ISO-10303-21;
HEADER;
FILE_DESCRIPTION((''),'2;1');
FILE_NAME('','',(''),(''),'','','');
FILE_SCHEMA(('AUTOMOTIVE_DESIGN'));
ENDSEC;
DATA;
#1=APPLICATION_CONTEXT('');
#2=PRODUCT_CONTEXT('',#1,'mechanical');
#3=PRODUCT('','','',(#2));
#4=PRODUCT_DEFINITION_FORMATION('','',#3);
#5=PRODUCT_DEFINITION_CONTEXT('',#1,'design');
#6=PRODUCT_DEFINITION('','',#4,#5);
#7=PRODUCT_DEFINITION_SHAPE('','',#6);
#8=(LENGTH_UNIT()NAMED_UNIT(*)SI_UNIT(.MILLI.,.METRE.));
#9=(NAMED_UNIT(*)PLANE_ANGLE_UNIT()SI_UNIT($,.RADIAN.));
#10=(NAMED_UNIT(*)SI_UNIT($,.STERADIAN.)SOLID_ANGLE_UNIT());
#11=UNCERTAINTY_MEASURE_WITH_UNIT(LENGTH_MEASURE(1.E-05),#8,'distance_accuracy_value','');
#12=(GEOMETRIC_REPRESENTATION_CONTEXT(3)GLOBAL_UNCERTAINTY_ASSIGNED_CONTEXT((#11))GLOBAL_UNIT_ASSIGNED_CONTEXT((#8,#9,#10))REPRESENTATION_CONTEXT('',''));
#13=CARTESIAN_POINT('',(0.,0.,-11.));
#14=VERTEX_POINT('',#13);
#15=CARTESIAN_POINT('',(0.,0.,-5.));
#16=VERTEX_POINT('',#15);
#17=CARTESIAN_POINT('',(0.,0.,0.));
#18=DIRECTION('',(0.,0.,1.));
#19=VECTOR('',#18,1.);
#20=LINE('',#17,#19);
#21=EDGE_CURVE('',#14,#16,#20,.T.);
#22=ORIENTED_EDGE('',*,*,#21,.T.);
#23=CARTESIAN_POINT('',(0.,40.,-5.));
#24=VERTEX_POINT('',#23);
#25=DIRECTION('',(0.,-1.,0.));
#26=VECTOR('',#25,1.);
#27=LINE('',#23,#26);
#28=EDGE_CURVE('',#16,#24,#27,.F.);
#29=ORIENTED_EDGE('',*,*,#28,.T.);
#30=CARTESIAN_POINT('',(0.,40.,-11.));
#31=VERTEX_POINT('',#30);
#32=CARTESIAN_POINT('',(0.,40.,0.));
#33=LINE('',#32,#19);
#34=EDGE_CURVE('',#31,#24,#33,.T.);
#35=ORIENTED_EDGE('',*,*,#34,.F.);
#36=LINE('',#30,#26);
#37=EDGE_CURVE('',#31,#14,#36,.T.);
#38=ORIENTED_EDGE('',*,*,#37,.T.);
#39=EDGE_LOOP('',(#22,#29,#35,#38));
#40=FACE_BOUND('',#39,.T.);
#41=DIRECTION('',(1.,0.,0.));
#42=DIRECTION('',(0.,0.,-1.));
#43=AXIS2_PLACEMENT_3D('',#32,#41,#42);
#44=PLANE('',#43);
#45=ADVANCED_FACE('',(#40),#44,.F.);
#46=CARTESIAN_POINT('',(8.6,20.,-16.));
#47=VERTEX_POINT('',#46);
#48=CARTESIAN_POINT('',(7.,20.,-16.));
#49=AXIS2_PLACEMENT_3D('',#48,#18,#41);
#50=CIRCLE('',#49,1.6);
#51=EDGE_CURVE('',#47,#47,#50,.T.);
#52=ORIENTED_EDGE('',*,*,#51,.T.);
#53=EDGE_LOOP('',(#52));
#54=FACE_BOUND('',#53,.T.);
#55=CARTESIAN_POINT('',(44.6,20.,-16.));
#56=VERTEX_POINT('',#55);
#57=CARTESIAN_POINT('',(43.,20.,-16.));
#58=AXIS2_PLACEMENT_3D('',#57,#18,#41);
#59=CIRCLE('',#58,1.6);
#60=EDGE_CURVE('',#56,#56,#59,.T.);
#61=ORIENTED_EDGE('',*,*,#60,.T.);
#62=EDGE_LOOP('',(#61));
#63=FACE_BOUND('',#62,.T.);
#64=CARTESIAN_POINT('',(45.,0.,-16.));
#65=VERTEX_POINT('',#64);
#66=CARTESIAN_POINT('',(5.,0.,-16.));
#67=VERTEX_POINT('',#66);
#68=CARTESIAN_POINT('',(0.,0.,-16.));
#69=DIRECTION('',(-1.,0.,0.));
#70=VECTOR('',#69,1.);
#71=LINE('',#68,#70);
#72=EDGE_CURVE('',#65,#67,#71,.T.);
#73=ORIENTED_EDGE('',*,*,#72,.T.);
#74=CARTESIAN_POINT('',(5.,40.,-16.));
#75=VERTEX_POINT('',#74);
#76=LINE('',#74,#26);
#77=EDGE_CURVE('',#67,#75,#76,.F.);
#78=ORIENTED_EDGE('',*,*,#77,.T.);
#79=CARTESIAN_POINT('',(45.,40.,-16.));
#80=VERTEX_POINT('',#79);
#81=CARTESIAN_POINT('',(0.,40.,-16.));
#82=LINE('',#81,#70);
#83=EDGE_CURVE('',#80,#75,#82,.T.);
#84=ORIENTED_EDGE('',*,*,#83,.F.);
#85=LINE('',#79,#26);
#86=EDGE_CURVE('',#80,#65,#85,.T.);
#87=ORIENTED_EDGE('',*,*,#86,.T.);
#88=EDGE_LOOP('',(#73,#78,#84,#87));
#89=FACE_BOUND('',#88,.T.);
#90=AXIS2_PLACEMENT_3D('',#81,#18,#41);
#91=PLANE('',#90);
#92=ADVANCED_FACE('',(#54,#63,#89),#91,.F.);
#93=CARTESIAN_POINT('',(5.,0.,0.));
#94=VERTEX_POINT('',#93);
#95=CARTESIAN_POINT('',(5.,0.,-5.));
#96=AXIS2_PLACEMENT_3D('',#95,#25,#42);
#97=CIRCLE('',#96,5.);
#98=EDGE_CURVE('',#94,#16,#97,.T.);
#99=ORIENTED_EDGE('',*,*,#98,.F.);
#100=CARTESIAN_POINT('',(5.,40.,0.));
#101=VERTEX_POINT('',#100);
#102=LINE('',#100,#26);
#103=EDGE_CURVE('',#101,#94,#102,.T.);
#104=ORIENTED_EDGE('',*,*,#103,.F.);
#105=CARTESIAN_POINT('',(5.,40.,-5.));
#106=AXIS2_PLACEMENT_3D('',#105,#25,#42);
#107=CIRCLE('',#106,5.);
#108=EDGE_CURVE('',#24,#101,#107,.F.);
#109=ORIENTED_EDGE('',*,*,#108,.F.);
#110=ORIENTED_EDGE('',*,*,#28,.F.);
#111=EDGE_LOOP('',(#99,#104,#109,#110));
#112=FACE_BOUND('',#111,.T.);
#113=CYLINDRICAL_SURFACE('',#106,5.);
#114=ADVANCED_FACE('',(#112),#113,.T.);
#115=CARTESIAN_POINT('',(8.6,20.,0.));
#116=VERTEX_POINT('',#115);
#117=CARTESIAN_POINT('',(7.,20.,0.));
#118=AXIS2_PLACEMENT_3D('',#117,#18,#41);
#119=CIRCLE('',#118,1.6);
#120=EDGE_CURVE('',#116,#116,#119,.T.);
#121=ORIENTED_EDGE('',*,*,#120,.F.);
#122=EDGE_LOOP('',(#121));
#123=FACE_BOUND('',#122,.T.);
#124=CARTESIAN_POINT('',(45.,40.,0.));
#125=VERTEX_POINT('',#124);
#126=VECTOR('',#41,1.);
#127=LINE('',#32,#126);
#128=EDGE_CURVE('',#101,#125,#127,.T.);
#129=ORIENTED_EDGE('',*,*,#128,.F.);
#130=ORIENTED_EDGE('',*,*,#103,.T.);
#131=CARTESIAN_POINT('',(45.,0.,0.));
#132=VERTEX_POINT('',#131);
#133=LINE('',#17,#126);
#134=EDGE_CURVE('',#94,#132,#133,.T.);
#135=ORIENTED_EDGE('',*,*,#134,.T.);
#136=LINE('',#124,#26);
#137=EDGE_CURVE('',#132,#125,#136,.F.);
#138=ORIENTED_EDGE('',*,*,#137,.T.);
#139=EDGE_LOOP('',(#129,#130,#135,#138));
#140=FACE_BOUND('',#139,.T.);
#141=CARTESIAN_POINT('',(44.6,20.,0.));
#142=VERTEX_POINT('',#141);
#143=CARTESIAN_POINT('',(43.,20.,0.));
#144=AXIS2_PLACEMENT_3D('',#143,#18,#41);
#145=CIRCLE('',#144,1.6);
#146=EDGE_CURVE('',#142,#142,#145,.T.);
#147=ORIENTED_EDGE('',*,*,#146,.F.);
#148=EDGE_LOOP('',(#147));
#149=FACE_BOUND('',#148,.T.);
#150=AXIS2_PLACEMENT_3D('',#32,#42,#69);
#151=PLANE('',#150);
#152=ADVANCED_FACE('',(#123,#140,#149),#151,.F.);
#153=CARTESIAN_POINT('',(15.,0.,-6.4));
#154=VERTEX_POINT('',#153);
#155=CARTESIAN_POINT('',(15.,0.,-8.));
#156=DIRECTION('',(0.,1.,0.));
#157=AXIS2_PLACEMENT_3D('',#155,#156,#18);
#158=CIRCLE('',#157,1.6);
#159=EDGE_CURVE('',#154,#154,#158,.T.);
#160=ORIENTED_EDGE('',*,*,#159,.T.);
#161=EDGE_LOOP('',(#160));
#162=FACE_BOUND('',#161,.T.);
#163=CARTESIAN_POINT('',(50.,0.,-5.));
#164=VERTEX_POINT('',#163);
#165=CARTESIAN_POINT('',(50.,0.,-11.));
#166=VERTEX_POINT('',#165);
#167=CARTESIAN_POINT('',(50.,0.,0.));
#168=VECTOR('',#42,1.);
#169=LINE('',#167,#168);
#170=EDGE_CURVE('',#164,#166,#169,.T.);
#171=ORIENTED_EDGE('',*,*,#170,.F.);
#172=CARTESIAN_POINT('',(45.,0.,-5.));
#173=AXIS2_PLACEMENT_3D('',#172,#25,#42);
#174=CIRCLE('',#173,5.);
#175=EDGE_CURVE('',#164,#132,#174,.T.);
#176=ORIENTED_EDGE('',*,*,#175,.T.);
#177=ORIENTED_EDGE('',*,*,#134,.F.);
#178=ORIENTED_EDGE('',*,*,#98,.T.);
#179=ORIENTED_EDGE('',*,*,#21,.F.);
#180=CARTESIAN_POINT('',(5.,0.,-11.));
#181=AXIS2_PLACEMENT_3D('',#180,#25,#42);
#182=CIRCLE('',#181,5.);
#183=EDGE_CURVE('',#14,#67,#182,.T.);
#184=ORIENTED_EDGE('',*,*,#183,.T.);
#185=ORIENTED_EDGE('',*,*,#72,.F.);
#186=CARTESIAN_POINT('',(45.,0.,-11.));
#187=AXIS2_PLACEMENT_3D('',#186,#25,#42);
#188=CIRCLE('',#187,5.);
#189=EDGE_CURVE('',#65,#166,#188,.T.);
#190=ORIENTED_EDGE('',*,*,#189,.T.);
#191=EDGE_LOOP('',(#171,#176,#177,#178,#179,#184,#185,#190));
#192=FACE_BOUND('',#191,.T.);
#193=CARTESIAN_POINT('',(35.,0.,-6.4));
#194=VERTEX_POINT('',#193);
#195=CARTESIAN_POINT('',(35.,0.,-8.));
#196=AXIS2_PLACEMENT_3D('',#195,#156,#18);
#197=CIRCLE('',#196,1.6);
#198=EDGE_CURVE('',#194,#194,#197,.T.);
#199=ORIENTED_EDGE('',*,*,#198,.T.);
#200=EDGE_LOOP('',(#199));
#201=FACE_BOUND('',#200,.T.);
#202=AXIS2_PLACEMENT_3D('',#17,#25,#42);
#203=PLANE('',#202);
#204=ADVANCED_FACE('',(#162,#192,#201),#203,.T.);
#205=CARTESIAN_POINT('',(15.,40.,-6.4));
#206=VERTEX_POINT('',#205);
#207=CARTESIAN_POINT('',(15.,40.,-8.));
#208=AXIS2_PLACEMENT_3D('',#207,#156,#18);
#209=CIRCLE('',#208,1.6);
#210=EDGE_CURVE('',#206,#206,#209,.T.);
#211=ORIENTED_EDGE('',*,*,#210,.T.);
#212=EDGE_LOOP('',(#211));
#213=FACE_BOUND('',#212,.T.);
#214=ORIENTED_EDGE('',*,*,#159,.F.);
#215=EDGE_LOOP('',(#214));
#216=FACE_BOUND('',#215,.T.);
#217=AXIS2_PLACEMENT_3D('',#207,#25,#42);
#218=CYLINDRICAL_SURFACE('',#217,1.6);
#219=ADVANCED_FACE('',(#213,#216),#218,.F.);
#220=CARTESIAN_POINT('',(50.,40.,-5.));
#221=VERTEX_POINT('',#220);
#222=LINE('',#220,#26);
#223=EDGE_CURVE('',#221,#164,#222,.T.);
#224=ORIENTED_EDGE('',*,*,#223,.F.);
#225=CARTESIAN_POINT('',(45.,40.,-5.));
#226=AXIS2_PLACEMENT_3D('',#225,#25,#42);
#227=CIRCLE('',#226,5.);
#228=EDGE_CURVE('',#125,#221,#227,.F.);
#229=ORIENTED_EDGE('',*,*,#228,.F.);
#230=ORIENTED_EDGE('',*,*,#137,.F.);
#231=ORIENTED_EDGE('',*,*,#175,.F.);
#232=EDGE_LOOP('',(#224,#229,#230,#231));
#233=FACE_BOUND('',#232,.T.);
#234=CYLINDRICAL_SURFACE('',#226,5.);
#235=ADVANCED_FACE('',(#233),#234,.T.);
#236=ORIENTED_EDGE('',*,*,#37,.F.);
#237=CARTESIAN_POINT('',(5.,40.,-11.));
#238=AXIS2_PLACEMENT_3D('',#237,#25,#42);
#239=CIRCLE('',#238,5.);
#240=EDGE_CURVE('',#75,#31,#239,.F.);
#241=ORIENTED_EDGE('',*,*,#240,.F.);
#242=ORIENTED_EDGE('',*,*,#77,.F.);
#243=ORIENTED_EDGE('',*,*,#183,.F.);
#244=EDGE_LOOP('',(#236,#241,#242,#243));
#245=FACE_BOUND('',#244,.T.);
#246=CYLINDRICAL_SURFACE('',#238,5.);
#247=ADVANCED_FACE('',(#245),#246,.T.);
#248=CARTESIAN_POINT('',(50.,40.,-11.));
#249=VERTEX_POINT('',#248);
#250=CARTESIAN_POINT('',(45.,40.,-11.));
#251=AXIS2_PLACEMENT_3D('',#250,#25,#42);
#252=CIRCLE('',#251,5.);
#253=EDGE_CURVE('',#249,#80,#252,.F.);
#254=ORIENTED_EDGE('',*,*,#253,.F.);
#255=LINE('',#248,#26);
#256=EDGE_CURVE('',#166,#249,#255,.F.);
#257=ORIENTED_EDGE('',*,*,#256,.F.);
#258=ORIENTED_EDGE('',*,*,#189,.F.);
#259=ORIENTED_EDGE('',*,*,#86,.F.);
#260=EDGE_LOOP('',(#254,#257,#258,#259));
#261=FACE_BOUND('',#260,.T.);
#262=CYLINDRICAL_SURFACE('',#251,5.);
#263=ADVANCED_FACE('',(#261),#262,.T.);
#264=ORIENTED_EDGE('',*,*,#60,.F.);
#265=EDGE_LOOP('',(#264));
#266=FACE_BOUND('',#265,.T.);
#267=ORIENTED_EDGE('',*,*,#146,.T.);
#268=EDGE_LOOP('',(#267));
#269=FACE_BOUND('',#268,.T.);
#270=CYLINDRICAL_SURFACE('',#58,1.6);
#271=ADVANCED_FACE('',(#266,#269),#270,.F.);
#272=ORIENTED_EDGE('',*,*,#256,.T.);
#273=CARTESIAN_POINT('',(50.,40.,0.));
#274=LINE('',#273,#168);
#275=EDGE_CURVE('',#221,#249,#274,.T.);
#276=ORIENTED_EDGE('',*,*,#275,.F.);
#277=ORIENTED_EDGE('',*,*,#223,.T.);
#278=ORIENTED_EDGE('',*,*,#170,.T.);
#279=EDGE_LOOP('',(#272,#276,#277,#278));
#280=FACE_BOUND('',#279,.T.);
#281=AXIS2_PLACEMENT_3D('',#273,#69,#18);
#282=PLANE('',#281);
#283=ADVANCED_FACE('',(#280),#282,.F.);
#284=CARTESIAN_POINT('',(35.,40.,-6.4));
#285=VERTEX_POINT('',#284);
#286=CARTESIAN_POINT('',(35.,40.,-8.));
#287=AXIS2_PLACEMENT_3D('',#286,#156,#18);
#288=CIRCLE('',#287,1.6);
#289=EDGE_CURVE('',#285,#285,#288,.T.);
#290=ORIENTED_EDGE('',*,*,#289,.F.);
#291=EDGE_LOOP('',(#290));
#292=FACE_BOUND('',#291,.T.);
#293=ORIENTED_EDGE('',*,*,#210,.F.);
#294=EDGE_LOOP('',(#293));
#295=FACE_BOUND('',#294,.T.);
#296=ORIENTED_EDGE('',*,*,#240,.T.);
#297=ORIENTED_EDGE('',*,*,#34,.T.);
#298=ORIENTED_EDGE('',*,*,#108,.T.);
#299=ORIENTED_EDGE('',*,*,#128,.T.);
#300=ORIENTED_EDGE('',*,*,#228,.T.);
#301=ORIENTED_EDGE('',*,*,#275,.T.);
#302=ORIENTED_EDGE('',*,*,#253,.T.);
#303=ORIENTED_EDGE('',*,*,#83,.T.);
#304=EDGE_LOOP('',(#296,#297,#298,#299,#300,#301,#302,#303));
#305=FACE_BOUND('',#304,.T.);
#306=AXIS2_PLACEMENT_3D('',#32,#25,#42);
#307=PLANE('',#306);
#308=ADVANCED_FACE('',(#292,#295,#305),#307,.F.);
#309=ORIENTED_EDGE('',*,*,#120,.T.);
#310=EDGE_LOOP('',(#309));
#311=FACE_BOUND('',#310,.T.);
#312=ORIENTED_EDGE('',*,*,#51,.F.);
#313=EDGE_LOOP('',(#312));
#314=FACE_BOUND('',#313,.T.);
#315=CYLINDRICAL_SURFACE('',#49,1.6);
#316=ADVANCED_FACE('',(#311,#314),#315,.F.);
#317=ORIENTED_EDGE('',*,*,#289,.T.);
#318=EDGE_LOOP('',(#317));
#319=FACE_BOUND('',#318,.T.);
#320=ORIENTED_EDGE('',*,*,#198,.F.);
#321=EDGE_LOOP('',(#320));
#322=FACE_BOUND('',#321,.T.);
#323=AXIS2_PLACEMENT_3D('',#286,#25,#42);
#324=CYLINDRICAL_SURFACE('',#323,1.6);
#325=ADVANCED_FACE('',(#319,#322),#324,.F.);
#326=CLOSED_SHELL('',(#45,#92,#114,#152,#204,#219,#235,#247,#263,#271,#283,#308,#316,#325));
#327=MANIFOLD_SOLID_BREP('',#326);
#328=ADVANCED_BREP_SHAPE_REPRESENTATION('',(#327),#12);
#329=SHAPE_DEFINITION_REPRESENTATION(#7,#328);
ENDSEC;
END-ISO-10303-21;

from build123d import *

# Parameters (mm, degrees)
SKETCH1_W           = 50
SKETCH1_H           = 16
SKETCH1_R           = 1.6
BOSS_EXTRUDE1_DEPTH = 40
SKETCH2_R           = 1.6
CUT_EXTRUDE1_DEPTH  = 67
FILLET1_R           = 5


with BuildPart() as part:
    # Sketch1 → Boss-Extrude1 (new body)
    with BuildSketch(Plane(origin=(0, 0, 0), x_dir=(1, 0, 0), z_dir=(0, 1, 0))):
        with Locations((25, 8)):
            Rectangle(SKETCH1_W, SKETCH1_H)
        with Locations(Location((15, 8, 0), (0, 0, 270))):
            Circle(SKETCH1_R, mode=Mode.SUBTRACT)
        with Locations(Location((35, 8, 0), (0, 0, 270))):
            Circle(SKETCH1_R, mode=Mode.SUBTRACT)
    extrude(amount=BOSS_EXTRUDE1_DEPTH)

    # Sketch2 → Cut-Extrude1 (cut, through all)
    with BuildSketch(Plane.XY):
        with Locations((7, 20)):
            Circle(SKETCH2_R)
        with Locations((43, 20)):
            Circle(SKETCH2_R)
    extrude(amount=-CUT_EXTRUDE1_DEPTH, mode=Mode.SUBTRACT)

    # Fillet1
    fillet1_edges = [part.edges().sort_by_distance(p)[0] for p in [
        (0, 20, -16),
        (50, 20, -16),
        (50, 20, 0),
        (0, 20, 0),
    ]]
    fillet(fillet1_edges, radius=FILLET1_R)


solid = part.part
